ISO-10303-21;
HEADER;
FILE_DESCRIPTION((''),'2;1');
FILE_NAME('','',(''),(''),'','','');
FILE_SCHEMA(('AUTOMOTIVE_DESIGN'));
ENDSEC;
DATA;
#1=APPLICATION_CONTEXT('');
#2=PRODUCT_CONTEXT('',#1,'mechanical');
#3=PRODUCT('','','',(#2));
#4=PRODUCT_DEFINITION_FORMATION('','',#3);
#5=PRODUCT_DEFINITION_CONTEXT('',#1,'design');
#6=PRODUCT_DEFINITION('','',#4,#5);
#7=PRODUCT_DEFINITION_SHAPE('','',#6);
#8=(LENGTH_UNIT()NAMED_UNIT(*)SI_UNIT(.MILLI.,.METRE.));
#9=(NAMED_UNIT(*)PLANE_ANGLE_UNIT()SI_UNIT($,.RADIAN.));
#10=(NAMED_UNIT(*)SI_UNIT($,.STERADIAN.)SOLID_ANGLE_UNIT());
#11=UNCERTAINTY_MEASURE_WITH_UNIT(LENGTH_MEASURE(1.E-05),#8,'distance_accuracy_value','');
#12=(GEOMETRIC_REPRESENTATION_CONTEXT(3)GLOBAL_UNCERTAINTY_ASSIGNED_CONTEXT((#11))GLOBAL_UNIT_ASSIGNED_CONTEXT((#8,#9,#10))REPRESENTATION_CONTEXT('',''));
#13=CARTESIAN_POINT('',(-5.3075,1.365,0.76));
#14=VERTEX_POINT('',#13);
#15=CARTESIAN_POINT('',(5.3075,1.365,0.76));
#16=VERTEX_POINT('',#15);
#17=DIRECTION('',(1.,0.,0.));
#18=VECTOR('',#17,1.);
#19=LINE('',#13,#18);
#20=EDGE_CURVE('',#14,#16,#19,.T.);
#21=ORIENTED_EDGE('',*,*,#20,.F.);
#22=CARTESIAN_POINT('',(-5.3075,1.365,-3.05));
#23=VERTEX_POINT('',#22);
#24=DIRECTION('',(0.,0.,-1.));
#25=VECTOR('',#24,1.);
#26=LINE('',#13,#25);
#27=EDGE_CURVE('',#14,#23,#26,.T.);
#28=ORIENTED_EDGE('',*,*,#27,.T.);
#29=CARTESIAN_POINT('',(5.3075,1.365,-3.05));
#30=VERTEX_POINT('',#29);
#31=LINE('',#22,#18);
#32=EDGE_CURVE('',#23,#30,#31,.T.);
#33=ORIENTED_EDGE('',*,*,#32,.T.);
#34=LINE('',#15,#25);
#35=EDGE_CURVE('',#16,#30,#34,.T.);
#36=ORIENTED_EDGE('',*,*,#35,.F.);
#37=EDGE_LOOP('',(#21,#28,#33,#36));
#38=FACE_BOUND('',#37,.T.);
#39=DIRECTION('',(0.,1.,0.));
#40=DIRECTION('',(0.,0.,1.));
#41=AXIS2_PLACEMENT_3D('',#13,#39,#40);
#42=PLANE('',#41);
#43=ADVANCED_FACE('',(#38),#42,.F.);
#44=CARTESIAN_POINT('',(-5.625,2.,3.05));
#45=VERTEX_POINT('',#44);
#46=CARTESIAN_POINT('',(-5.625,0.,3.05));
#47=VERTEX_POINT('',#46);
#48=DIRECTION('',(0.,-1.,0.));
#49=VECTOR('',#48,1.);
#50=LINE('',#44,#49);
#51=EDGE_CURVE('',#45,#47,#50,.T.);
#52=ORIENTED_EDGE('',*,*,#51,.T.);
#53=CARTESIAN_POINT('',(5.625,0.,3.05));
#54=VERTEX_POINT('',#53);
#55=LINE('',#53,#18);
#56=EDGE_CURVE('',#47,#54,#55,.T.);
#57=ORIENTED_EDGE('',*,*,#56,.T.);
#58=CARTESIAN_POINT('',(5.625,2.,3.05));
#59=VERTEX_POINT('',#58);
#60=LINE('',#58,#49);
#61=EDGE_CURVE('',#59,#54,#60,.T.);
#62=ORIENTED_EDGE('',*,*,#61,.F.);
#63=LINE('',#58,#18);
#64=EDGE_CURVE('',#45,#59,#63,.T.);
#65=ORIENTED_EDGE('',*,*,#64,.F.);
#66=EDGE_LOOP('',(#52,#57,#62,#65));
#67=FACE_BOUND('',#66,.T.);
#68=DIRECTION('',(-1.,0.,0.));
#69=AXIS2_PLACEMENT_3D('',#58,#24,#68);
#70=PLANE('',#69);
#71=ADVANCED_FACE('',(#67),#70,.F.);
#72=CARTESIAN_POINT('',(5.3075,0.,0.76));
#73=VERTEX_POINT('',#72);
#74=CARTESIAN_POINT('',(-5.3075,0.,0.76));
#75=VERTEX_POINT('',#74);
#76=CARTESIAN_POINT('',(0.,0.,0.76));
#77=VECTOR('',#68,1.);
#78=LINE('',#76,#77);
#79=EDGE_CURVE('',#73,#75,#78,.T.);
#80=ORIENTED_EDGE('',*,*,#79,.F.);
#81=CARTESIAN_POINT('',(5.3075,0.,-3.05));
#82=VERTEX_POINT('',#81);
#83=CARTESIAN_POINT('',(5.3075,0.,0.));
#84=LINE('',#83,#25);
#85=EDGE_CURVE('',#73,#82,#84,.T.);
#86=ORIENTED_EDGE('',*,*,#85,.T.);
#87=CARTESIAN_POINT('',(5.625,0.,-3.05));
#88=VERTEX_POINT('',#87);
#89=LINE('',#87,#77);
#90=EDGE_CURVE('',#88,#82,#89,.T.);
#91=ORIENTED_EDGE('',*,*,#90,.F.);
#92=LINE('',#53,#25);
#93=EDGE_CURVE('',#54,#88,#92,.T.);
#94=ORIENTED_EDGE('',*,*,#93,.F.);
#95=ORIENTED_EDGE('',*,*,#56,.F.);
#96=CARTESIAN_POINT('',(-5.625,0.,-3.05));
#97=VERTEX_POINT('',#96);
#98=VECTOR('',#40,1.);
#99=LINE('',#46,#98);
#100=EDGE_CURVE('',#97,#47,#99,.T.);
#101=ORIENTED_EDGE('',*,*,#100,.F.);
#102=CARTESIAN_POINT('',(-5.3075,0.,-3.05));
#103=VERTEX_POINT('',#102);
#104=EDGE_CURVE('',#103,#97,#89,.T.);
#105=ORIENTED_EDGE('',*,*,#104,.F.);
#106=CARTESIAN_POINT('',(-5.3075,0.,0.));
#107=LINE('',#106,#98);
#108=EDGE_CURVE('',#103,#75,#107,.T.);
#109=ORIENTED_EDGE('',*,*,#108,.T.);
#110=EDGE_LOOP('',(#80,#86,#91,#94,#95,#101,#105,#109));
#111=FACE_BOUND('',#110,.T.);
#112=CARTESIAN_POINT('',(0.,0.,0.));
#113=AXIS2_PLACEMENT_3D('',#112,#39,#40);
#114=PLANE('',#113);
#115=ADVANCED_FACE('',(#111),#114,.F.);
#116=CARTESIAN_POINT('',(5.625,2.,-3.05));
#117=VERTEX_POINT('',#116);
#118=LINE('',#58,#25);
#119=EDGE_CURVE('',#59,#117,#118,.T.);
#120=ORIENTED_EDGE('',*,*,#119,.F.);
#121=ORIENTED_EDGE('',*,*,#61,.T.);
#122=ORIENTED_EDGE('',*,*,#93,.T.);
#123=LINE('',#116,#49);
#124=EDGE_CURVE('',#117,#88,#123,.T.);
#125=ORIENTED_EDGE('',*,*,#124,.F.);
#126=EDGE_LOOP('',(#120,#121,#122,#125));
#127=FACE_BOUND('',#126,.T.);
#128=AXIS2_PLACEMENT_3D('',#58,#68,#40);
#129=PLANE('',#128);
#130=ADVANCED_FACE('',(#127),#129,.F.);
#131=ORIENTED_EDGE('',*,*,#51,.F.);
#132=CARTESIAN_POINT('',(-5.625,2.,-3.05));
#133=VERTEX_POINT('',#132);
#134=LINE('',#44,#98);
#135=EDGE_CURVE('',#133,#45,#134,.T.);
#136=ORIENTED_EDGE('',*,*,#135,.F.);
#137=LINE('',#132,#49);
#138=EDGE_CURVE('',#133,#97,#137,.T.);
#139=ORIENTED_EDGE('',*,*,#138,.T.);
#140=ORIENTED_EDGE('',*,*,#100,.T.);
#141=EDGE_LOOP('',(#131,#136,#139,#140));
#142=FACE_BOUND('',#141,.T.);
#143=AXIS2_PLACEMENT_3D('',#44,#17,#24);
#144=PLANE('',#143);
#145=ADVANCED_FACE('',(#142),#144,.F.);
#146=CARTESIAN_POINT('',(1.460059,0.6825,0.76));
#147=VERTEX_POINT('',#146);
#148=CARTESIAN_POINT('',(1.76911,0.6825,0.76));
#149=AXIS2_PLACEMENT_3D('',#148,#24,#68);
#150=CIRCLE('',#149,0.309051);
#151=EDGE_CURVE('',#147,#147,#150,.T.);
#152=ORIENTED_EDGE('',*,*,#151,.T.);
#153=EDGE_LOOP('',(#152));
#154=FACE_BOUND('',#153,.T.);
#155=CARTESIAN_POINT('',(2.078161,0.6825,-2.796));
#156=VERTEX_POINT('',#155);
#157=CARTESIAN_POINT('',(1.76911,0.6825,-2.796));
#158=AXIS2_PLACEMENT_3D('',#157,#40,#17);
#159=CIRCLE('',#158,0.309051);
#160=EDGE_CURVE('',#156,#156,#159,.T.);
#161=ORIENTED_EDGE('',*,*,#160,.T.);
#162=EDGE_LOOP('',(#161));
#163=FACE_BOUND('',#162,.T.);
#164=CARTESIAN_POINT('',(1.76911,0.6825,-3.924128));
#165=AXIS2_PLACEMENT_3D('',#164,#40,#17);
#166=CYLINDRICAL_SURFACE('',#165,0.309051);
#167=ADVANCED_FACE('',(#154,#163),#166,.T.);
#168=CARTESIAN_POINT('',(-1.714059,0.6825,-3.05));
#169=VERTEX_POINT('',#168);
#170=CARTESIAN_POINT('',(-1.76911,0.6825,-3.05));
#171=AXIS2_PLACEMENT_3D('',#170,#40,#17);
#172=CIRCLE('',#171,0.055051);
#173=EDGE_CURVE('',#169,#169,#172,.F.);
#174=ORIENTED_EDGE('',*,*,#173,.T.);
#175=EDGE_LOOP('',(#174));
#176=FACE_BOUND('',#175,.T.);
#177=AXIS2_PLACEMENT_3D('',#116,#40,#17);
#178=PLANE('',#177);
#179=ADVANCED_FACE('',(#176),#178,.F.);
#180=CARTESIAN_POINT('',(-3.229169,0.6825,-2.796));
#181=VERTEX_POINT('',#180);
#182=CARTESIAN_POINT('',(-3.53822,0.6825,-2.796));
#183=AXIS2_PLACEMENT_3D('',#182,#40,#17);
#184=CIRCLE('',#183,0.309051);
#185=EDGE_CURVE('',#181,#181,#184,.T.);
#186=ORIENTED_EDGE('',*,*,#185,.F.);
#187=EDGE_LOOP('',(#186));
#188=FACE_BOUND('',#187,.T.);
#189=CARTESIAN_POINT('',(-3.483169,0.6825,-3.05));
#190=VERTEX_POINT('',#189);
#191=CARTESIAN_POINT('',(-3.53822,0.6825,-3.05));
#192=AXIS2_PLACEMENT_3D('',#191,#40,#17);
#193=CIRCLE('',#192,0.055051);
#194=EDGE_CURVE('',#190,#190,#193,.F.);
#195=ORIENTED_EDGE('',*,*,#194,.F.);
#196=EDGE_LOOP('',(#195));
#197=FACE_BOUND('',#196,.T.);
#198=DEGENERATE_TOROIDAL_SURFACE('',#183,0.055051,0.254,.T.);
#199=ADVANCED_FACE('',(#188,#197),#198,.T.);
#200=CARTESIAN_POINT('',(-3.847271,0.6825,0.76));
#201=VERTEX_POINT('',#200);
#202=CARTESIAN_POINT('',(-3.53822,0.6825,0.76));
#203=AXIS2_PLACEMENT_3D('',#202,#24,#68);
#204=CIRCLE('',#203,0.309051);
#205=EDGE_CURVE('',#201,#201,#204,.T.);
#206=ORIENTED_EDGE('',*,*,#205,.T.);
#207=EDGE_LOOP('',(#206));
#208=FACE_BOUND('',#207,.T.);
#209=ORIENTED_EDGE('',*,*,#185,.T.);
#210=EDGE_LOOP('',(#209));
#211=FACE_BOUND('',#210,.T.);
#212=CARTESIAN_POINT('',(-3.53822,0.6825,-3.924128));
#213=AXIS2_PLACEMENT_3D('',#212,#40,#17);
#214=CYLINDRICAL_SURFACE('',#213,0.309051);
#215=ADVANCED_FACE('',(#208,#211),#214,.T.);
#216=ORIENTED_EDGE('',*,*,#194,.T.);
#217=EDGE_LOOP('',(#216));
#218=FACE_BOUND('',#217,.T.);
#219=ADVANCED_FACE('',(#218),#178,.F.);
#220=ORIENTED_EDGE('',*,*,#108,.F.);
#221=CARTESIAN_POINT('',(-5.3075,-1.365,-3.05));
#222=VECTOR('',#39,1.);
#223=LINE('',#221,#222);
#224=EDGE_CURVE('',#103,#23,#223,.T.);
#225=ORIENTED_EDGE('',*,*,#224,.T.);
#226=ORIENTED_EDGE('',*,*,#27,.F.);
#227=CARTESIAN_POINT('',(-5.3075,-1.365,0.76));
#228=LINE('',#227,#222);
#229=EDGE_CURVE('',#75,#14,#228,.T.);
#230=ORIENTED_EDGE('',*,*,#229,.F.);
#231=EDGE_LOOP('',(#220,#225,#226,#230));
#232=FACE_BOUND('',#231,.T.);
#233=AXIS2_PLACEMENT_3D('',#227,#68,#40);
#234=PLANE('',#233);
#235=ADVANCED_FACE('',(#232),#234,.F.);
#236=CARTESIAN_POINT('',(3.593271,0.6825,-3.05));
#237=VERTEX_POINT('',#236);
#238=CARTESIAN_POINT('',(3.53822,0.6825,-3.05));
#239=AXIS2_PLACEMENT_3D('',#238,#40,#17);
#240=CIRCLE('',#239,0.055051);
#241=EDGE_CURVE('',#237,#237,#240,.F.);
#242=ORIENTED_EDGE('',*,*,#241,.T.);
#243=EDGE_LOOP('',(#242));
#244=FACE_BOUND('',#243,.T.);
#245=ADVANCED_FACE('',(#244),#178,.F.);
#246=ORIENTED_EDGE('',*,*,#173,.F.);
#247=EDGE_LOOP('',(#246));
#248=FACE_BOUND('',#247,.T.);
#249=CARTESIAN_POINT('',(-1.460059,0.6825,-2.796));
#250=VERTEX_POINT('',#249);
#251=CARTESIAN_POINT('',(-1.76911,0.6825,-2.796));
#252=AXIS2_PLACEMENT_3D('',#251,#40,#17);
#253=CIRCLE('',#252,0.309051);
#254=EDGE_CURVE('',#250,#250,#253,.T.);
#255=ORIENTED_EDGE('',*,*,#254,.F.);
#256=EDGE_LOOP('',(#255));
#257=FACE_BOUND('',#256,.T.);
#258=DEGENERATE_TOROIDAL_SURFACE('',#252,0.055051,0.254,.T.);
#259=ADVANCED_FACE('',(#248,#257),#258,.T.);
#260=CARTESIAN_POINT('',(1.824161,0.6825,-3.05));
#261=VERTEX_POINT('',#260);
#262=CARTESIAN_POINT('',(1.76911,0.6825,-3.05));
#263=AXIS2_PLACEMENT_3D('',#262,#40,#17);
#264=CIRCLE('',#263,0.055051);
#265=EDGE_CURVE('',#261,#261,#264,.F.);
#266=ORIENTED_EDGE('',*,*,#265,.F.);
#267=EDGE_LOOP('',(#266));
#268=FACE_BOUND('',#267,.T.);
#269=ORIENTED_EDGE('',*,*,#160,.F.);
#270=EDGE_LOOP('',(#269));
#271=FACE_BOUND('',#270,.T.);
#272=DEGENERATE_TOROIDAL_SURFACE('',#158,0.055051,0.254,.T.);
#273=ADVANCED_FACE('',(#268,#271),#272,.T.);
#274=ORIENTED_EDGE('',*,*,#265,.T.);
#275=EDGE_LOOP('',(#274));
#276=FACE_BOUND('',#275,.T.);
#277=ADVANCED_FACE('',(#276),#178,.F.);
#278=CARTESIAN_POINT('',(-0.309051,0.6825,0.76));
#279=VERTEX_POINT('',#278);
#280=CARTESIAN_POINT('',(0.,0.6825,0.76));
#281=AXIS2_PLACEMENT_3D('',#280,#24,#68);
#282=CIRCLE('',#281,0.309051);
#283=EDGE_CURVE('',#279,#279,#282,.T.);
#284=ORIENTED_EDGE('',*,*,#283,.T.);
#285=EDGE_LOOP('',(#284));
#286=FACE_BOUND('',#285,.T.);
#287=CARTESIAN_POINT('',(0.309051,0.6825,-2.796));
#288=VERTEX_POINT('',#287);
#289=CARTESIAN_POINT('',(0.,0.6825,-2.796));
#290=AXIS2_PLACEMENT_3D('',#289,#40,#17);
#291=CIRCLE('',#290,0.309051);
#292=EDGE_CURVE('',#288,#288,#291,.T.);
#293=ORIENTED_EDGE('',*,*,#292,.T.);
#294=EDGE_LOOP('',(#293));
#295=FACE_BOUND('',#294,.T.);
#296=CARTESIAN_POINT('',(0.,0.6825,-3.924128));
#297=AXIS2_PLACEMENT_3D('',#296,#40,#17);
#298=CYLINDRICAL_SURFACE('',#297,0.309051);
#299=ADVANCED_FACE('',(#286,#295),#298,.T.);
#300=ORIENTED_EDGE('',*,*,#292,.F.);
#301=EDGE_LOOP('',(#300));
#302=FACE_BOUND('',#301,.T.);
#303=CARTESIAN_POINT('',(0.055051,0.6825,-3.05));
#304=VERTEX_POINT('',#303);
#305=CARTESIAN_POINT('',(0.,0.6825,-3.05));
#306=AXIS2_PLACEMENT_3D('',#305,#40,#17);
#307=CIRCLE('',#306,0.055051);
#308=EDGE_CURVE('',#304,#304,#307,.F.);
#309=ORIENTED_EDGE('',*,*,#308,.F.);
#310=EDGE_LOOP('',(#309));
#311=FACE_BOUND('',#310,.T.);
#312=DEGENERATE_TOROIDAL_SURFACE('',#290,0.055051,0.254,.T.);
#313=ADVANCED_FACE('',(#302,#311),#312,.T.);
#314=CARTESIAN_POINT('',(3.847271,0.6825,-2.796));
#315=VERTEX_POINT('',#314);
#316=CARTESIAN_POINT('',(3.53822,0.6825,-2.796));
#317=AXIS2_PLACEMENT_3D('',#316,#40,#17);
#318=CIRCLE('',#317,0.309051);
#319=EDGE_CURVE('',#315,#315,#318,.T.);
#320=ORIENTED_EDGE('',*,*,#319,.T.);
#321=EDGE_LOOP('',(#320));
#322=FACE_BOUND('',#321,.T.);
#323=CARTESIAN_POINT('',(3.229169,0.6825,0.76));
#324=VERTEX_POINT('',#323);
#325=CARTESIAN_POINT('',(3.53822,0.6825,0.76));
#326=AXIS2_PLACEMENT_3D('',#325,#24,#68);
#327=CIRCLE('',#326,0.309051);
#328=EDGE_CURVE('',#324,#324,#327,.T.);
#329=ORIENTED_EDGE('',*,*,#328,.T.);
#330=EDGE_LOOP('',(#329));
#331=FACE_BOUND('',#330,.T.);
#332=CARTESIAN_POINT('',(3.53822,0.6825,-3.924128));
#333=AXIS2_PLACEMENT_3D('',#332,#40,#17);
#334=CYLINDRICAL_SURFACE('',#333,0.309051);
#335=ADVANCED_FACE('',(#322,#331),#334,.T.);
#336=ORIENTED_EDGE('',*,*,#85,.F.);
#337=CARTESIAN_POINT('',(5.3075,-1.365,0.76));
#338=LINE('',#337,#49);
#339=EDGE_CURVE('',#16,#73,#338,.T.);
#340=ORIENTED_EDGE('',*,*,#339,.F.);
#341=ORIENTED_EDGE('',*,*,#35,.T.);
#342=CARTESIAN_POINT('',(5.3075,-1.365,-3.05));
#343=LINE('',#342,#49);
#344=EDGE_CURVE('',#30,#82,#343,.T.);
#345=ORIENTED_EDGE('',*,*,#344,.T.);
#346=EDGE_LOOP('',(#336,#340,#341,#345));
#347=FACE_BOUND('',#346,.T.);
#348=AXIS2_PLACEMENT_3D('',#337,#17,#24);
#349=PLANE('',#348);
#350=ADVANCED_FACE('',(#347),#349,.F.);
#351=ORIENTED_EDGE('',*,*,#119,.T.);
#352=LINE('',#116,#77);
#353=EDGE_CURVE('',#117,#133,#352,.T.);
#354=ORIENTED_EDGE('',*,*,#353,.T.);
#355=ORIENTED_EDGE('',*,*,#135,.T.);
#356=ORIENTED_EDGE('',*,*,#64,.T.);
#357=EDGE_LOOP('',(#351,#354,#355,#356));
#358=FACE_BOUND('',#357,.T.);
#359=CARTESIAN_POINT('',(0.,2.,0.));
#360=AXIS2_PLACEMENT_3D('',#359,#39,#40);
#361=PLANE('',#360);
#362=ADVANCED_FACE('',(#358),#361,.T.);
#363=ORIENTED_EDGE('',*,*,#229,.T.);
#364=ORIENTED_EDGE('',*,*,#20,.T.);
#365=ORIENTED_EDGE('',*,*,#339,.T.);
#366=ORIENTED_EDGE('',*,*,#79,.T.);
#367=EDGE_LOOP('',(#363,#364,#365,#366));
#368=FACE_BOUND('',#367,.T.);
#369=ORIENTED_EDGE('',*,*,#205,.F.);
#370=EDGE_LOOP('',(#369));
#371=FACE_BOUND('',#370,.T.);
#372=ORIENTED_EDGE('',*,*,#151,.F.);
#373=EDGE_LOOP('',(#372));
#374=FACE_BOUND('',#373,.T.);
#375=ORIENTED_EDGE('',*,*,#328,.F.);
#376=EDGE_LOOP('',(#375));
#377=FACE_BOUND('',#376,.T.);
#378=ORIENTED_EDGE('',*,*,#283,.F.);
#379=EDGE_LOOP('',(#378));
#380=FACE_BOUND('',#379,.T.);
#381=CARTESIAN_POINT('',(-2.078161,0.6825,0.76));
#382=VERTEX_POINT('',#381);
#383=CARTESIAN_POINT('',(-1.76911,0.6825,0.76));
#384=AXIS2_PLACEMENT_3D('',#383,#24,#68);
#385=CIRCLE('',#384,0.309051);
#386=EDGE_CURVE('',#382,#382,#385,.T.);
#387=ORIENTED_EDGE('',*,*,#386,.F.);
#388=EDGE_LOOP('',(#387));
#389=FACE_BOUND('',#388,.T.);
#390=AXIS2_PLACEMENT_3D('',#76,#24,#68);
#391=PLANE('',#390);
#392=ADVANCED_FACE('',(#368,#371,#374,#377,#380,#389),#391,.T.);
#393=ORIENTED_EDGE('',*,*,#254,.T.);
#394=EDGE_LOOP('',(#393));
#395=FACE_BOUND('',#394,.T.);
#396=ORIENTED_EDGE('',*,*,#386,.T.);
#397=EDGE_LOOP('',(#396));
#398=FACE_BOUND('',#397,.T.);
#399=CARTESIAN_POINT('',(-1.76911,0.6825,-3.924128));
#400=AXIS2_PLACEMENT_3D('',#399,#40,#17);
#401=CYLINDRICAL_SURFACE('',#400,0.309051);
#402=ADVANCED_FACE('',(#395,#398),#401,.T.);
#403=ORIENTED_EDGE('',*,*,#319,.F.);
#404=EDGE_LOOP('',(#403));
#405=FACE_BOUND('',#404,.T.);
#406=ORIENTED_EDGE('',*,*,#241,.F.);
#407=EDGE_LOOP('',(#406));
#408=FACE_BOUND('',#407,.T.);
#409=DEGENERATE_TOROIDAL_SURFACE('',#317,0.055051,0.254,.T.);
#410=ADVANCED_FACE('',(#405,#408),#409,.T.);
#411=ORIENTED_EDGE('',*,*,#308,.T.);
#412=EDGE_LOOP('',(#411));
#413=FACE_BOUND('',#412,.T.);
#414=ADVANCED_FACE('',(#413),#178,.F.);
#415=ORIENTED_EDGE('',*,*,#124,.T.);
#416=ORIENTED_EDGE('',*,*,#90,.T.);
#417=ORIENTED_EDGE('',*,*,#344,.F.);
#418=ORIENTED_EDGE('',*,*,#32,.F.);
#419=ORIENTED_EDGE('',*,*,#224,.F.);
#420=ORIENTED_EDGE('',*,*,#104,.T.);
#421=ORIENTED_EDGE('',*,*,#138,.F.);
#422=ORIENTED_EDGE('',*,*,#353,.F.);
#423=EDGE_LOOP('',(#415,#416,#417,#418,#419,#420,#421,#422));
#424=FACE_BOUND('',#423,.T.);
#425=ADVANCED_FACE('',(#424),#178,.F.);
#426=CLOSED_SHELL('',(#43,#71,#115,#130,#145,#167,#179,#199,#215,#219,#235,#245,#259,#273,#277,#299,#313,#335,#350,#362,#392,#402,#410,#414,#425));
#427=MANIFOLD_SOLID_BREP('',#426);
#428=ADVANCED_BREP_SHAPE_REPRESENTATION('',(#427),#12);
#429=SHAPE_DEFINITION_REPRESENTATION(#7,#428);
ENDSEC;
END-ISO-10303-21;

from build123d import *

# Parameters (mm, degrees)
SKETCH1_W           = 11.25
SKETCH1_H           = 6.1
BOSS_EXTRUDE1_DEPTH = 2
SKETCH2_W           = 10.615
SKETCH2_H           = 2.73
CUT_EXTRUDE1_DEPTH  = 3.81
SKETCH4_R           = 0.309051048
BOSS_EXTRUDE2_DEPTH = 3.81
FILLET1_R           = 0.254


with BuildPart() as part:
    # Sketch1 → Boss-Extrude1 (new body)
    with BuildSketch(Plane(origin=(0, 0, 0), x_dir=(1, 0, 0), z_dir=(0, 1, 0))):
        Rectangle(SKETCH1_W, SKETCH1_H)
    extrude(amount=BOSS_EXTRUDE1_DEPTH)

    # Sketch2 → Cut-Extrude1 (cut)
    with BuildSketch(Plane(origin=(0, 0, -3.05), x_dir=(-1, 0, 0), z_dir=(0, 0, -1))):
        Rectangle(SKETCH2_W, SKETCH2_H)
    extrude(amount=-CUT_EXTRUDE1_DEPTH, mode=Mode.SUBTRACT)

    # Sketch4 → Boss-Extrude2 (add)
    with BuildSketch(Plane(origin=(0, 0, 0.76), x_dir=(-1, 0, 0), z_dir=(0, 0, -1))):
        with Locations(Location((-3.53822, 0.6825, 0), (0, 0, 180))):
            Circle(SKETCH4_R)
        with Locations(Location((-1.76911, 0.6825, 0), (0, 0, 180))):
            Circle(SKETCH4_R)
        with Locations(Location((0, 0.6825, 0), (0, 0, 180))):
            Circle(SKETCH4_R)
        with Locations(Location((1.76911, 0.6825, 0), (0, 0, 180))):
            Circle(SKETCH4_R)
        with Locations(Location((3.53822, 0.6825, 0), (0, 0, 180))):
            Circle(SKETCH4_R)
    extrude(amount=BOSS_EXTRUDE2_DEPTH)

    # Fillet1
    fillet1_edges = [part.edges().sort_by_distance(p)[0] for p in [
        (3.229168952, 0.6825, -3.05),
        (1.460058952, 0.6825, -3.05),
        (-0.309051048, 0.6825, -3.05),
        (-2.078161048, 0.6825, -3.05),
        (-3.847271048, 0.6825, -3.05),
    ]]
    fillet(fillet1_edges, radius=FILLET1_R)


solid = part.part
